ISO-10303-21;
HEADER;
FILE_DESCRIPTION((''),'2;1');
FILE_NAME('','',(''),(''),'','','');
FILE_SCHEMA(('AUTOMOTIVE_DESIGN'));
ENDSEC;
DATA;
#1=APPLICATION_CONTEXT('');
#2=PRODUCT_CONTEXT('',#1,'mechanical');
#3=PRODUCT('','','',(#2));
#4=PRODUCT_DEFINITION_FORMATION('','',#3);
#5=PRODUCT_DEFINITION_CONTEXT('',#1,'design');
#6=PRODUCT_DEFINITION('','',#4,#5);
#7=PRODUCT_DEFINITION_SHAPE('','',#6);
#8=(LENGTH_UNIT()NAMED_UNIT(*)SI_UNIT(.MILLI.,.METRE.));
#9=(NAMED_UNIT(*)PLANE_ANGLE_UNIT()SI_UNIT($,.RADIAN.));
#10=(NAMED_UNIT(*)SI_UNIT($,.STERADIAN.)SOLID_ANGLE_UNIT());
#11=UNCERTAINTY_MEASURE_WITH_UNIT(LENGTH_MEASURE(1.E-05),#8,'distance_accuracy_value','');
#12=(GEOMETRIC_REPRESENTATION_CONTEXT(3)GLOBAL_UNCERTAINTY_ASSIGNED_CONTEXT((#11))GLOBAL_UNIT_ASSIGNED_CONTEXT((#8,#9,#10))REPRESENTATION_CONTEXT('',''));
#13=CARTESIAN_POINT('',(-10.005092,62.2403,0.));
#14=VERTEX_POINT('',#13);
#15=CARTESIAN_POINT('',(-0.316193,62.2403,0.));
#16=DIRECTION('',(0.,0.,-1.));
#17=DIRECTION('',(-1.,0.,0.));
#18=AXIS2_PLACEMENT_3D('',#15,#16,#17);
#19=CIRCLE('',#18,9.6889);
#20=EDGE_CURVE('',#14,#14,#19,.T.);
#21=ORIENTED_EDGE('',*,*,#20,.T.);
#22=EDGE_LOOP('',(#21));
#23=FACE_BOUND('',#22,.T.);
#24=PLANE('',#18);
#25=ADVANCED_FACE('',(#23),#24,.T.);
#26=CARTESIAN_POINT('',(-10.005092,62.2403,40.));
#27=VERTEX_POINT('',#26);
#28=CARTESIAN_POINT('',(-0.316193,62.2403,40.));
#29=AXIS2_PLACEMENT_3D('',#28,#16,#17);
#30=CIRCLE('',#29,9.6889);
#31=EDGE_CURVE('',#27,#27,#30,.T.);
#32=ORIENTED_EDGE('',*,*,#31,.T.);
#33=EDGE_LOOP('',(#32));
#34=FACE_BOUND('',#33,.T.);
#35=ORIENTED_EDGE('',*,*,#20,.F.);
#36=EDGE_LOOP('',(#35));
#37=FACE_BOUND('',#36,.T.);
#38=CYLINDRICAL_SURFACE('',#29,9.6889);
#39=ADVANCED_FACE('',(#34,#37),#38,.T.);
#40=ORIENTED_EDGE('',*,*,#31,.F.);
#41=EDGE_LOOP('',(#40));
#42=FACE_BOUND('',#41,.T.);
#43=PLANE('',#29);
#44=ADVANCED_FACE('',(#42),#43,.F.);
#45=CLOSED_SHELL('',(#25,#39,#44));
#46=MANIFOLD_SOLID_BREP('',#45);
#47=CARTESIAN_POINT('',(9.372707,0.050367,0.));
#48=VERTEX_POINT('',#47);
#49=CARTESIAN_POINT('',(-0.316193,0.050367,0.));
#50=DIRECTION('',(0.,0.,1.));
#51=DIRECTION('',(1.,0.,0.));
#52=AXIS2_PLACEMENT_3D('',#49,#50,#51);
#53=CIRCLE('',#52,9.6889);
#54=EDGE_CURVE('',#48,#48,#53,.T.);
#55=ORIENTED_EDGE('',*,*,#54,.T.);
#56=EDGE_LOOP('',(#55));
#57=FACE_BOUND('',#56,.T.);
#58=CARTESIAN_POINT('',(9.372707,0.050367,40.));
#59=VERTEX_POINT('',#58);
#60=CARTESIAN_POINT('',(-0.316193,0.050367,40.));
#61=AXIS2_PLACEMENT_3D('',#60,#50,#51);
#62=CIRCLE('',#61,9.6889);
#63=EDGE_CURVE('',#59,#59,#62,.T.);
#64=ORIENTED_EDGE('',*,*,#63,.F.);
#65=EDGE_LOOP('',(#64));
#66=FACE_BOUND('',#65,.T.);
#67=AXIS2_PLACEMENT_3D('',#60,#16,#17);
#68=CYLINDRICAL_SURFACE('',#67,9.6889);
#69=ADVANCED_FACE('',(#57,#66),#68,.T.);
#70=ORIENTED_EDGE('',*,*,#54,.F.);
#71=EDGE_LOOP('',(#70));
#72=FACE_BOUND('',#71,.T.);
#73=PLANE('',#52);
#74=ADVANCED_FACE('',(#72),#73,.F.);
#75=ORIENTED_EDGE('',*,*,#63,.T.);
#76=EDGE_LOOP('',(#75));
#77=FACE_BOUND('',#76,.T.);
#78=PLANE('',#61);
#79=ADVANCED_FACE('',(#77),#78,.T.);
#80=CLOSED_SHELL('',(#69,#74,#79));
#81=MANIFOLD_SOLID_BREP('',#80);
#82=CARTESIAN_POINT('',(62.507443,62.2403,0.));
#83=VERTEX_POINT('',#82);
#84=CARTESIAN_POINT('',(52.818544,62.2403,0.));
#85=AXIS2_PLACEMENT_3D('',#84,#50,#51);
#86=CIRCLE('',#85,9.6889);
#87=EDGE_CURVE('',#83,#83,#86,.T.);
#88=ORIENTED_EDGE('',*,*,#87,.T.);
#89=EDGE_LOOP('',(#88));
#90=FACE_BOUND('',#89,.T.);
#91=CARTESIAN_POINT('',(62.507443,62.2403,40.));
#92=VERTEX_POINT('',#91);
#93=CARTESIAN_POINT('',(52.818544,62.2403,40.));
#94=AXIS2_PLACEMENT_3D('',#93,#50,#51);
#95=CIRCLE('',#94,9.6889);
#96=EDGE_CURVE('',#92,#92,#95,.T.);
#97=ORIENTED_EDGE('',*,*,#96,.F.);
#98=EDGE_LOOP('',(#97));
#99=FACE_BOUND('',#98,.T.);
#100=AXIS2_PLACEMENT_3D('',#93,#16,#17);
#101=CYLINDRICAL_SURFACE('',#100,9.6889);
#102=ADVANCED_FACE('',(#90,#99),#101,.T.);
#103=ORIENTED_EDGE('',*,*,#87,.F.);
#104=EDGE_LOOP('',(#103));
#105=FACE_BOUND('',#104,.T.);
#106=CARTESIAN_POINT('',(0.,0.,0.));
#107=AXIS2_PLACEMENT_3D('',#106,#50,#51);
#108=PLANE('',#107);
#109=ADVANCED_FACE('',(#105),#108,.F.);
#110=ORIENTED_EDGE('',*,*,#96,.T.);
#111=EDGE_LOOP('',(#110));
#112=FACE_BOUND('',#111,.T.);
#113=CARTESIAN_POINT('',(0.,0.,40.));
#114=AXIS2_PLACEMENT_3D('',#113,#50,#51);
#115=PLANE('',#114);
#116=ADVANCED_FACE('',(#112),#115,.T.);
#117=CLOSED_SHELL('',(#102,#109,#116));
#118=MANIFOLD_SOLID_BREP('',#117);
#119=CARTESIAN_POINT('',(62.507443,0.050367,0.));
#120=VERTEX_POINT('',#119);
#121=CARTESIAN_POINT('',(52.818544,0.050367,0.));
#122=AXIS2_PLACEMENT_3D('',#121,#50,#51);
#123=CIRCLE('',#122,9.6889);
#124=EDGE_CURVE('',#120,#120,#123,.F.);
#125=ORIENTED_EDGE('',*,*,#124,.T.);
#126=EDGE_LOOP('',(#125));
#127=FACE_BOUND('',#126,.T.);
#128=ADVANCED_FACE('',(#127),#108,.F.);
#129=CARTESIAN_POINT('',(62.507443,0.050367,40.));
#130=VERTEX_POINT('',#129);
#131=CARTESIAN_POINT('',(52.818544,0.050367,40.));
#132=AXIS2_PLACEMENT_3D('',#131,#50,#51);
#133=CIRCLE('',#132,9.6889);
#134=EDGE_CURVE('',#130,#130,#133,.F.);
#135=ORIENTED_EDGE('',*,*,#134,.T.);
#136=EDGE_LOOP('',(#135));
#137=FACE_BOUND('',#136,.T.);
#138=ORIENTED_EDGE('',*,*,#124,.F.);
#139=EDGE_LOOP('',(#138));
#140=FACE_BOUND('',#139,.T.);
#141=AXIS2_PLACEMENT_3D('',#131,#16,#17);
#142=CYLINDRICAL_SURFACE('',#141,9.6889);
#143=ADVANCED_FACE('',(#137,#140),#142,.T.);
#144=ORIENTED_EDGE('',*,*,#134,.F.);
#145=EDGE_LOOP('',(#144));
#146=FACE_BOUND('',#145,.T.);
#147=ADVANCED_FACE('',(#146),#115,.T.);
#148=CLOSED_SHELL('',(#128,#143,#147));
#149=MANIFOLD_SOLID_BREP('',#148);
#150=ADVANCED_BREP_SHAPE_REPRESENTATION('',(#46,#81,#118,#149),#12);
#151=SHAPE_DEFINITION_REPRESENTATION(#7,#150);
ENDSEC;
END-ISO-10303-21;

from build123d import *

# Parameters (mm, degrees)
SKETCH1_R             = 9.688899653
BOSS_EXTRUDE1_DEPTH   = 40
BOSS_EXTRUDE1_2_DEPTH = 40
BOSS_EXTRUDE1_3_DEPTH = 40
BOSS_EXTRUDE1_4_DEPTH = 40


with BuildPart() as part:
    # Sketch1 → Boss-Extrude1 (new body)
    with BuildSketch(Plane.XY):
        with Locations((52.818543782, 62.240299842)):
            Circle(SKETCH1_R)
    extrude(amount=BOSS_EXTRUDE1_DEPTH)


with BuildPart() as body_2:
    # Sketch1 → Boss-Extrude1 2 (new body)
    with BuildSketch(Plane.XY):
        with Locations((52.818543782, 0.050367456)):
            Circle(SKETCH1_R)
    extrude(amount=BOSS_EXTRUDE1_2_DEPTH)


with BuildPart() as body_3:
    # Sketch1 → Boss-Extrude1 3 (new body)
    with BuildSketch(Plane.XY):
        with Locations(Location((-0.316192678, 62.240299842, 0), (0, 0, 180))):
            Circle(SKETCH1_R)
    extrude(amount=BOSS_EXTRUDE1_3_DEPTH)


with BuildPart() as body_4:
    # Sketch1 → Boss-Extrude1 4 (new body)
    with BuildSketch(Plane.XY):
        with Locations((-0.316192678, 0.050367456)):
            Circle(SKETCH1_R)
    extrude(amount=BOSS_EXTRUDE1_4_DEPTH)


solid = Compound([part.part, body_2.part, body_3.part, body_4.part])
